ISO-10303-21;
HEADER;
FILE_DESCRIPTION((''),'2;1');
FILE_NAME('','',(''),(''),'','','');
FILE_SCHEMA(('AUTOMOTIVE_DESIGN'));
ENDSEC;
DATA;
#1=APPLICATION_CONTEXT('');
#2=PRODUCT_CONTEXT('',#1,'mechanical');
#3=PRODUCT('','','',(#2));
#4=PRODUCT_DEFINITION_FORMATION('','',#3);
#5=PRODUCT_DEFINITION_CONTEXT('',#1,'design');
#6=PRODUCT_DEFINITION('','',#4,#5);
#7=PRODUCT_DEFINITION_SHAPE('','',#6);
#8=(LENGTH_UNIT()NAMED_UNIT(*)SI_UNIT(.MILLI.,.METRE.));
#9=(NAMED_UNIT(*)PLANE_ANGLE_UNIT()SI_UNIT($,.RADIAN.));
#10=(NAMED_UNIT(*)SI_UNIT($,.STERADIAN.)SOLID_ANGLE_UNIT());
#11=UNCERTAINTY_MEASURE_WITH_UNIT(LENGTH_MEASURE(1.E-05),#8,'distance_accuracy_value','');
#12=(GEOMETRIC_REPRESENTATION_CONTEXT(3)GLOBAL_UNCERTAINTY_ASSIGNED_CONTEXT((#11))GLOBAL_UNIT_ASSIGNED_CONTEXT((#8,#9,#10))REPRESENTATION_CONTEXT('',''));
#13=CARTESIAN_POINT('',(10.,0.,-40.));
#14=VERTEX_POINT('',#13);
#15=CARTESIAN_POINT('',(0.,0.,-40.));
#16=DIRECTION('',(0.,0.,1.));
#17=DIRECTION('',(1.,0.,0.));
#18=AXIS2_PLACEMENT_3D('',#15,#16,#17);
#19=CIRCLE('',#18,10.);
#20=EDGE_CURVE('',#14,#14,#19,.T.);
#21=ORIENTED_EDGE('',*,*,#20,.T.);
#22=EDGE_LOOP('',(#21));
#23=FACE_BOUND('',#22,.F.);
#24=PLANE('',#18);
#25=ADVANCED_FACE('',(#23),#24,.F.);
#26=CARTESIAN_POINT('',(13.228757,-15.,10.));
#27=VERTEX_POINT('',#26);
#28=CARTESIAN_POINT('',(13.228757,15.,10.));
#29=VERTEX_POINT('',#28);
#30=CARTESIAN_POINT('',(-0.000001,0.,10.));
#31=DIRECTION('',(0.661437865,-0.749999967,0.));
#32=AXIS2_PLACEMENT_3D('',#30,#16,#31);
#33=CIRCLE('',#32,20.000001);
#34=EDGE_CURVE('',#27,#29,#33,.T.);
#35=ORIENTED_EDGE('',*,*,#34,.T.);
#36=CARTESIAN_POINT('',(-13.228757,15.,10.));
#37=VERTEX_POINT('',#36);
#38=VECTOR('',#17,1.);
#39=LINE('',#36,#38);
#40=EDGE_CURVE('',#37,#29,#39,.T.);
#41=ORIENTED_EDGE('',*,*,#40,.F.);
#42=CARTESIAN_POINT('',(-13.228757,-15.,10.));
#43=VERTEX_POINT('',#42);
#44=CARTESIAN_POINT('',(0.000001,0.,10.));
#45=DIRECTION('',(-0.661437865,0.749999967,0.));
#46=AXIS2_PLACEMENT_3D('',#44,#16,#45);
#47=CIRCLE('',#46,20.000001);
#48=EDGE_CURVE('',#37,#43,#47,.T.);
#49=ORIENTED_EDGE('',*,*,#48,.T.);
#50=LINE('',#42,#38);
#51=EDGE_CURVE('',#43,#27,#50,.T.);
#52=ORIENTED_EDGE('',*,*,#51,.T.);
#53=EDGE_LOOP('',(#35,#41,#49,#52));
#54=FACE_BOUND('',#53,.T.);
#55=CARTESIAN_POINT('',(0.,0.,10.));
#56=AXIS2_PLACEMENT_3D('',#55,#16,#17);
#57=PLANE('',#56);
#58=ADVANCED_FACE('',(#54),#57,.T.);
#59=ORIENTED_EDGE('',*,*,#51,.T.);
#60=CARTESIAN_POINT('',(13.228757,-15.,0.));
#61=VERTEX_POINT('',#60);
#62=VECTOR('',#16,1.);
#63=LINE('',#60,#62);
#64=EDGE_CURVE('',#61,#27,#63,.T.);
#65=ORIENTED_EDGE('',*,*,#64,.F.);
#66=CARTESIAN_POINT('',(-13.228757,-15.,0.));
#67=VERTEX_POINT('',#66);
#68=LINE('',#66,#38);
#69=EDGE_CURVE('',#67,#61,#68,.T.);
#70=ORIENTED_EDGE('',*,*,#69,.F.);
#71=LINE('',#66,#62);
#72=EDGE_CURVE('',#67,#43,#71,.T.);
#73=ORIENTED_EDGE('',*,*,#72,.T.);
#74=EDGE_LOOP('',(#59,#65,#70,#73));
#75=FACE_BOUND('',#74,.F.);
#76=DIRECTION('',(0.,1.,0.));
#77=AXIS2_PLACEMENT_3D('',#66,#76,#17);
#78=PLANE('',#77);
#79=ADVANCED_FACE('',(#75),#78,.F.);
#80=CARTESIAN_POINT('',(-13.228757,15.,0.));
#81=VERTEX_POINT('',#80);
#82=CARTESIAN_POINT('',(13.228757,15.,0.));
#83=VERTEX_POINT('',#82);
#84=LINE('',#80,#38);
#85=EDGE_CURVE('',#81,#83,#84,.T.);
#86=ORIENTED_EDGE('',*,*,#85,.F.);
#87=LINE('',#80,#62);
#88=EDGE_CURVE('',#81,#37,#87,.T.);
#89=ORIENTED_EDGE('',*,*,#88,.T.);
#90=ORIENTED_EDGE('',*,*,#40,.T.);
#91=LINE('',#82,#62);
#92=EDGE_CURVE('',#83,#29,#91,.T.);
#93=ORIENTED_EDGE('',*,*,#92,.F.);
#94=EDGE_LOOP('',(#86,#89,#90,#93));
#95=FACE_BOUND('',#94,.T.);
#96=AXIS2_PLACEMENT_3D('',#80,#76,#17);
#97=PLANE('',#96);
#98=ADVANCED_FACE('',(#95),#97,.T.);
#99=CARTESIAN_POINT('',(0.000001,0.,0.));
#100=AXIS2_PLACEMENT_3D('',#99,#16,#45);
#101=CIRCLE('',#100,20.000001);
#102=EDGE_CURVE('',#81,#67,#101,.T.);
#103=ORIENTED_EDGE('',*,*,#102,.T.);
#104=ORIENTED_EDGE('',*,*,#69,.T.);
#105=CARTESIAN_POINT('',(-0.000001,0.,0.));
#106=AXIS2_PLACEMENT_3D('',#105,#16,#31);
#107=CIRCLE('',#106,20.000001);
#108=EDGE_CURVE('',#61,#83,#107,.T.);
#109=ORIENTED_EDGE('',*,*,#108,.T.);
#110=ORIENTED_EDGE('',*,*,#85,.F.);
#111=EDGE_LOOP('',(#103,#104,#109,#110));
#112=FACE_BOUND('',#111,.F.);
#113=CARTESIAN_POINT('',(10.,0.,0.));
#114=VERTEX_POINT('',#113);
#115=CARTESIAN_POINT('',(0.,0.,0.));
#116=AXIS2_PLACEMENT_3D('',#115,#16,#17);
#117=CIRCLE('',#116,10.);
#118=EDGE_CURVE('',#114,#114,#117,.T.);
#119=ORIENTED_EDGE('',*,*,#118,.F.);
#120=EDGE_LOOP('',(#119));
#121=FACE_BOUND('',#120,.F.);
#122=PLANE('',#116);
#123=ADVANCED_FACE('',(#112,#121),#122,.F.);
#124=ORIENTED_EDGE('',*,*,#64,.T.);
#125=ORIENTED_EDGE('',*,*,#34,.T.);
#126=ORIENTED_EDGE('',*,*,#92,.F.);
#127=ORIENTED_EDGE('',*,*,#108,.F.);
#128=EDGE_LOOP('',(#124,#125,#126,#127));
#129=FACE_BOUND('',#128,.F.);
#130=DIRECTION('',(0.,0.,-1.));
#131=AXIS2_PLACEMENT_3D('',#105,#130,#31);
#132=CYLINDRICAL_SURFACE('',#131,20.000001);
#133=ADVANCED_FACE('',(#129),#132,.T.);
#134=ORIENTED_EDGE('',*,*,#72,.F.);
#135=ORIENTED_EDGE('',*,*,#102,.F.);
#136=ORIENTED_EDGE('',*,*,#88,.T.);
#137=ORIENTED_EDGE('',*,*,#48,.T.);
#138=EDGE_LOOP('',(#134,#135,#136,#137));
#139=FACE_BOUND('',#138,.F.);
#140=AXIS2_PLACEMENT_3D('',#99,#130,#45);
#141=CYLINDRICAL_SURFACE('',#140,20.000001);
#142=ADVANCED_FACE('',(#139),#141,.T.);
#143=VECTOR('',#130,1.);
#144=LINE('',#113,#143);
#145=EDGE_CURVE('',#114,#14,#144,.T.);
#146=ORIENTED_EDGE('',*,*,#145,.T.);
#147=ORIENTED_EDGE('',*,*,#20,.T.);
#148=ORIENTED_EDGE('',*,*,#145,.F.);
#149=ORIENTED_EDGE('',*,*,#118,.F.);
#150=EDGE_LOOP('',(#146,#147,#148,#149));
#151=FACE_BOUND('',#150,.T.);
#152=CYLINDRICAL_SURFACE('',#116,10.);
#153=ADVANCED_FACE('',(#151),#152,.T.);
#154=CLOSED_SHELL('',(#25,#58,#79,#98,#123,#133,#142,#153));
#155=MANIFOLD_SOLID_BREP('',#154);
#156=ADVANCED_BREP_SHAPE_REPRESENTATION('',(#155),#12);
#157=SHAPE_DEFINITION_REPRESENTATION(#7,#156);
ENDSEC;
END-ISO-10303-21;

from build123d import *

# Parameters (mm, degrees)
PAD_DEPTH    = 10
SKETCH001_R  = 10
PAD001_DEPTH = 40


with BuildPart() as part:
    # Sketch → Pad (new body)
    with BuildSketch(Plane.XY):
        with BuildLine():
            ThreePointArc((13.228757, -15), (20, 0), (13.228757, 15))
            Line((-13.228757, 15), (13.228757, 15))
            ThreePointArc((-13.228757, 15), (-20, 0), (-13.228757, -15))
            Line((-13.228757, -15), (13.228757, -15))
        make_face()
    extrude(amount=PAD_DEPTH)

    # Sketch001 → Pad001 (join)
    with BuildSketch(Plane.XY):
        Circle(SKETCH001_R)
    extrude(amount=-PAD001_DEPTH)


solid = part.part
